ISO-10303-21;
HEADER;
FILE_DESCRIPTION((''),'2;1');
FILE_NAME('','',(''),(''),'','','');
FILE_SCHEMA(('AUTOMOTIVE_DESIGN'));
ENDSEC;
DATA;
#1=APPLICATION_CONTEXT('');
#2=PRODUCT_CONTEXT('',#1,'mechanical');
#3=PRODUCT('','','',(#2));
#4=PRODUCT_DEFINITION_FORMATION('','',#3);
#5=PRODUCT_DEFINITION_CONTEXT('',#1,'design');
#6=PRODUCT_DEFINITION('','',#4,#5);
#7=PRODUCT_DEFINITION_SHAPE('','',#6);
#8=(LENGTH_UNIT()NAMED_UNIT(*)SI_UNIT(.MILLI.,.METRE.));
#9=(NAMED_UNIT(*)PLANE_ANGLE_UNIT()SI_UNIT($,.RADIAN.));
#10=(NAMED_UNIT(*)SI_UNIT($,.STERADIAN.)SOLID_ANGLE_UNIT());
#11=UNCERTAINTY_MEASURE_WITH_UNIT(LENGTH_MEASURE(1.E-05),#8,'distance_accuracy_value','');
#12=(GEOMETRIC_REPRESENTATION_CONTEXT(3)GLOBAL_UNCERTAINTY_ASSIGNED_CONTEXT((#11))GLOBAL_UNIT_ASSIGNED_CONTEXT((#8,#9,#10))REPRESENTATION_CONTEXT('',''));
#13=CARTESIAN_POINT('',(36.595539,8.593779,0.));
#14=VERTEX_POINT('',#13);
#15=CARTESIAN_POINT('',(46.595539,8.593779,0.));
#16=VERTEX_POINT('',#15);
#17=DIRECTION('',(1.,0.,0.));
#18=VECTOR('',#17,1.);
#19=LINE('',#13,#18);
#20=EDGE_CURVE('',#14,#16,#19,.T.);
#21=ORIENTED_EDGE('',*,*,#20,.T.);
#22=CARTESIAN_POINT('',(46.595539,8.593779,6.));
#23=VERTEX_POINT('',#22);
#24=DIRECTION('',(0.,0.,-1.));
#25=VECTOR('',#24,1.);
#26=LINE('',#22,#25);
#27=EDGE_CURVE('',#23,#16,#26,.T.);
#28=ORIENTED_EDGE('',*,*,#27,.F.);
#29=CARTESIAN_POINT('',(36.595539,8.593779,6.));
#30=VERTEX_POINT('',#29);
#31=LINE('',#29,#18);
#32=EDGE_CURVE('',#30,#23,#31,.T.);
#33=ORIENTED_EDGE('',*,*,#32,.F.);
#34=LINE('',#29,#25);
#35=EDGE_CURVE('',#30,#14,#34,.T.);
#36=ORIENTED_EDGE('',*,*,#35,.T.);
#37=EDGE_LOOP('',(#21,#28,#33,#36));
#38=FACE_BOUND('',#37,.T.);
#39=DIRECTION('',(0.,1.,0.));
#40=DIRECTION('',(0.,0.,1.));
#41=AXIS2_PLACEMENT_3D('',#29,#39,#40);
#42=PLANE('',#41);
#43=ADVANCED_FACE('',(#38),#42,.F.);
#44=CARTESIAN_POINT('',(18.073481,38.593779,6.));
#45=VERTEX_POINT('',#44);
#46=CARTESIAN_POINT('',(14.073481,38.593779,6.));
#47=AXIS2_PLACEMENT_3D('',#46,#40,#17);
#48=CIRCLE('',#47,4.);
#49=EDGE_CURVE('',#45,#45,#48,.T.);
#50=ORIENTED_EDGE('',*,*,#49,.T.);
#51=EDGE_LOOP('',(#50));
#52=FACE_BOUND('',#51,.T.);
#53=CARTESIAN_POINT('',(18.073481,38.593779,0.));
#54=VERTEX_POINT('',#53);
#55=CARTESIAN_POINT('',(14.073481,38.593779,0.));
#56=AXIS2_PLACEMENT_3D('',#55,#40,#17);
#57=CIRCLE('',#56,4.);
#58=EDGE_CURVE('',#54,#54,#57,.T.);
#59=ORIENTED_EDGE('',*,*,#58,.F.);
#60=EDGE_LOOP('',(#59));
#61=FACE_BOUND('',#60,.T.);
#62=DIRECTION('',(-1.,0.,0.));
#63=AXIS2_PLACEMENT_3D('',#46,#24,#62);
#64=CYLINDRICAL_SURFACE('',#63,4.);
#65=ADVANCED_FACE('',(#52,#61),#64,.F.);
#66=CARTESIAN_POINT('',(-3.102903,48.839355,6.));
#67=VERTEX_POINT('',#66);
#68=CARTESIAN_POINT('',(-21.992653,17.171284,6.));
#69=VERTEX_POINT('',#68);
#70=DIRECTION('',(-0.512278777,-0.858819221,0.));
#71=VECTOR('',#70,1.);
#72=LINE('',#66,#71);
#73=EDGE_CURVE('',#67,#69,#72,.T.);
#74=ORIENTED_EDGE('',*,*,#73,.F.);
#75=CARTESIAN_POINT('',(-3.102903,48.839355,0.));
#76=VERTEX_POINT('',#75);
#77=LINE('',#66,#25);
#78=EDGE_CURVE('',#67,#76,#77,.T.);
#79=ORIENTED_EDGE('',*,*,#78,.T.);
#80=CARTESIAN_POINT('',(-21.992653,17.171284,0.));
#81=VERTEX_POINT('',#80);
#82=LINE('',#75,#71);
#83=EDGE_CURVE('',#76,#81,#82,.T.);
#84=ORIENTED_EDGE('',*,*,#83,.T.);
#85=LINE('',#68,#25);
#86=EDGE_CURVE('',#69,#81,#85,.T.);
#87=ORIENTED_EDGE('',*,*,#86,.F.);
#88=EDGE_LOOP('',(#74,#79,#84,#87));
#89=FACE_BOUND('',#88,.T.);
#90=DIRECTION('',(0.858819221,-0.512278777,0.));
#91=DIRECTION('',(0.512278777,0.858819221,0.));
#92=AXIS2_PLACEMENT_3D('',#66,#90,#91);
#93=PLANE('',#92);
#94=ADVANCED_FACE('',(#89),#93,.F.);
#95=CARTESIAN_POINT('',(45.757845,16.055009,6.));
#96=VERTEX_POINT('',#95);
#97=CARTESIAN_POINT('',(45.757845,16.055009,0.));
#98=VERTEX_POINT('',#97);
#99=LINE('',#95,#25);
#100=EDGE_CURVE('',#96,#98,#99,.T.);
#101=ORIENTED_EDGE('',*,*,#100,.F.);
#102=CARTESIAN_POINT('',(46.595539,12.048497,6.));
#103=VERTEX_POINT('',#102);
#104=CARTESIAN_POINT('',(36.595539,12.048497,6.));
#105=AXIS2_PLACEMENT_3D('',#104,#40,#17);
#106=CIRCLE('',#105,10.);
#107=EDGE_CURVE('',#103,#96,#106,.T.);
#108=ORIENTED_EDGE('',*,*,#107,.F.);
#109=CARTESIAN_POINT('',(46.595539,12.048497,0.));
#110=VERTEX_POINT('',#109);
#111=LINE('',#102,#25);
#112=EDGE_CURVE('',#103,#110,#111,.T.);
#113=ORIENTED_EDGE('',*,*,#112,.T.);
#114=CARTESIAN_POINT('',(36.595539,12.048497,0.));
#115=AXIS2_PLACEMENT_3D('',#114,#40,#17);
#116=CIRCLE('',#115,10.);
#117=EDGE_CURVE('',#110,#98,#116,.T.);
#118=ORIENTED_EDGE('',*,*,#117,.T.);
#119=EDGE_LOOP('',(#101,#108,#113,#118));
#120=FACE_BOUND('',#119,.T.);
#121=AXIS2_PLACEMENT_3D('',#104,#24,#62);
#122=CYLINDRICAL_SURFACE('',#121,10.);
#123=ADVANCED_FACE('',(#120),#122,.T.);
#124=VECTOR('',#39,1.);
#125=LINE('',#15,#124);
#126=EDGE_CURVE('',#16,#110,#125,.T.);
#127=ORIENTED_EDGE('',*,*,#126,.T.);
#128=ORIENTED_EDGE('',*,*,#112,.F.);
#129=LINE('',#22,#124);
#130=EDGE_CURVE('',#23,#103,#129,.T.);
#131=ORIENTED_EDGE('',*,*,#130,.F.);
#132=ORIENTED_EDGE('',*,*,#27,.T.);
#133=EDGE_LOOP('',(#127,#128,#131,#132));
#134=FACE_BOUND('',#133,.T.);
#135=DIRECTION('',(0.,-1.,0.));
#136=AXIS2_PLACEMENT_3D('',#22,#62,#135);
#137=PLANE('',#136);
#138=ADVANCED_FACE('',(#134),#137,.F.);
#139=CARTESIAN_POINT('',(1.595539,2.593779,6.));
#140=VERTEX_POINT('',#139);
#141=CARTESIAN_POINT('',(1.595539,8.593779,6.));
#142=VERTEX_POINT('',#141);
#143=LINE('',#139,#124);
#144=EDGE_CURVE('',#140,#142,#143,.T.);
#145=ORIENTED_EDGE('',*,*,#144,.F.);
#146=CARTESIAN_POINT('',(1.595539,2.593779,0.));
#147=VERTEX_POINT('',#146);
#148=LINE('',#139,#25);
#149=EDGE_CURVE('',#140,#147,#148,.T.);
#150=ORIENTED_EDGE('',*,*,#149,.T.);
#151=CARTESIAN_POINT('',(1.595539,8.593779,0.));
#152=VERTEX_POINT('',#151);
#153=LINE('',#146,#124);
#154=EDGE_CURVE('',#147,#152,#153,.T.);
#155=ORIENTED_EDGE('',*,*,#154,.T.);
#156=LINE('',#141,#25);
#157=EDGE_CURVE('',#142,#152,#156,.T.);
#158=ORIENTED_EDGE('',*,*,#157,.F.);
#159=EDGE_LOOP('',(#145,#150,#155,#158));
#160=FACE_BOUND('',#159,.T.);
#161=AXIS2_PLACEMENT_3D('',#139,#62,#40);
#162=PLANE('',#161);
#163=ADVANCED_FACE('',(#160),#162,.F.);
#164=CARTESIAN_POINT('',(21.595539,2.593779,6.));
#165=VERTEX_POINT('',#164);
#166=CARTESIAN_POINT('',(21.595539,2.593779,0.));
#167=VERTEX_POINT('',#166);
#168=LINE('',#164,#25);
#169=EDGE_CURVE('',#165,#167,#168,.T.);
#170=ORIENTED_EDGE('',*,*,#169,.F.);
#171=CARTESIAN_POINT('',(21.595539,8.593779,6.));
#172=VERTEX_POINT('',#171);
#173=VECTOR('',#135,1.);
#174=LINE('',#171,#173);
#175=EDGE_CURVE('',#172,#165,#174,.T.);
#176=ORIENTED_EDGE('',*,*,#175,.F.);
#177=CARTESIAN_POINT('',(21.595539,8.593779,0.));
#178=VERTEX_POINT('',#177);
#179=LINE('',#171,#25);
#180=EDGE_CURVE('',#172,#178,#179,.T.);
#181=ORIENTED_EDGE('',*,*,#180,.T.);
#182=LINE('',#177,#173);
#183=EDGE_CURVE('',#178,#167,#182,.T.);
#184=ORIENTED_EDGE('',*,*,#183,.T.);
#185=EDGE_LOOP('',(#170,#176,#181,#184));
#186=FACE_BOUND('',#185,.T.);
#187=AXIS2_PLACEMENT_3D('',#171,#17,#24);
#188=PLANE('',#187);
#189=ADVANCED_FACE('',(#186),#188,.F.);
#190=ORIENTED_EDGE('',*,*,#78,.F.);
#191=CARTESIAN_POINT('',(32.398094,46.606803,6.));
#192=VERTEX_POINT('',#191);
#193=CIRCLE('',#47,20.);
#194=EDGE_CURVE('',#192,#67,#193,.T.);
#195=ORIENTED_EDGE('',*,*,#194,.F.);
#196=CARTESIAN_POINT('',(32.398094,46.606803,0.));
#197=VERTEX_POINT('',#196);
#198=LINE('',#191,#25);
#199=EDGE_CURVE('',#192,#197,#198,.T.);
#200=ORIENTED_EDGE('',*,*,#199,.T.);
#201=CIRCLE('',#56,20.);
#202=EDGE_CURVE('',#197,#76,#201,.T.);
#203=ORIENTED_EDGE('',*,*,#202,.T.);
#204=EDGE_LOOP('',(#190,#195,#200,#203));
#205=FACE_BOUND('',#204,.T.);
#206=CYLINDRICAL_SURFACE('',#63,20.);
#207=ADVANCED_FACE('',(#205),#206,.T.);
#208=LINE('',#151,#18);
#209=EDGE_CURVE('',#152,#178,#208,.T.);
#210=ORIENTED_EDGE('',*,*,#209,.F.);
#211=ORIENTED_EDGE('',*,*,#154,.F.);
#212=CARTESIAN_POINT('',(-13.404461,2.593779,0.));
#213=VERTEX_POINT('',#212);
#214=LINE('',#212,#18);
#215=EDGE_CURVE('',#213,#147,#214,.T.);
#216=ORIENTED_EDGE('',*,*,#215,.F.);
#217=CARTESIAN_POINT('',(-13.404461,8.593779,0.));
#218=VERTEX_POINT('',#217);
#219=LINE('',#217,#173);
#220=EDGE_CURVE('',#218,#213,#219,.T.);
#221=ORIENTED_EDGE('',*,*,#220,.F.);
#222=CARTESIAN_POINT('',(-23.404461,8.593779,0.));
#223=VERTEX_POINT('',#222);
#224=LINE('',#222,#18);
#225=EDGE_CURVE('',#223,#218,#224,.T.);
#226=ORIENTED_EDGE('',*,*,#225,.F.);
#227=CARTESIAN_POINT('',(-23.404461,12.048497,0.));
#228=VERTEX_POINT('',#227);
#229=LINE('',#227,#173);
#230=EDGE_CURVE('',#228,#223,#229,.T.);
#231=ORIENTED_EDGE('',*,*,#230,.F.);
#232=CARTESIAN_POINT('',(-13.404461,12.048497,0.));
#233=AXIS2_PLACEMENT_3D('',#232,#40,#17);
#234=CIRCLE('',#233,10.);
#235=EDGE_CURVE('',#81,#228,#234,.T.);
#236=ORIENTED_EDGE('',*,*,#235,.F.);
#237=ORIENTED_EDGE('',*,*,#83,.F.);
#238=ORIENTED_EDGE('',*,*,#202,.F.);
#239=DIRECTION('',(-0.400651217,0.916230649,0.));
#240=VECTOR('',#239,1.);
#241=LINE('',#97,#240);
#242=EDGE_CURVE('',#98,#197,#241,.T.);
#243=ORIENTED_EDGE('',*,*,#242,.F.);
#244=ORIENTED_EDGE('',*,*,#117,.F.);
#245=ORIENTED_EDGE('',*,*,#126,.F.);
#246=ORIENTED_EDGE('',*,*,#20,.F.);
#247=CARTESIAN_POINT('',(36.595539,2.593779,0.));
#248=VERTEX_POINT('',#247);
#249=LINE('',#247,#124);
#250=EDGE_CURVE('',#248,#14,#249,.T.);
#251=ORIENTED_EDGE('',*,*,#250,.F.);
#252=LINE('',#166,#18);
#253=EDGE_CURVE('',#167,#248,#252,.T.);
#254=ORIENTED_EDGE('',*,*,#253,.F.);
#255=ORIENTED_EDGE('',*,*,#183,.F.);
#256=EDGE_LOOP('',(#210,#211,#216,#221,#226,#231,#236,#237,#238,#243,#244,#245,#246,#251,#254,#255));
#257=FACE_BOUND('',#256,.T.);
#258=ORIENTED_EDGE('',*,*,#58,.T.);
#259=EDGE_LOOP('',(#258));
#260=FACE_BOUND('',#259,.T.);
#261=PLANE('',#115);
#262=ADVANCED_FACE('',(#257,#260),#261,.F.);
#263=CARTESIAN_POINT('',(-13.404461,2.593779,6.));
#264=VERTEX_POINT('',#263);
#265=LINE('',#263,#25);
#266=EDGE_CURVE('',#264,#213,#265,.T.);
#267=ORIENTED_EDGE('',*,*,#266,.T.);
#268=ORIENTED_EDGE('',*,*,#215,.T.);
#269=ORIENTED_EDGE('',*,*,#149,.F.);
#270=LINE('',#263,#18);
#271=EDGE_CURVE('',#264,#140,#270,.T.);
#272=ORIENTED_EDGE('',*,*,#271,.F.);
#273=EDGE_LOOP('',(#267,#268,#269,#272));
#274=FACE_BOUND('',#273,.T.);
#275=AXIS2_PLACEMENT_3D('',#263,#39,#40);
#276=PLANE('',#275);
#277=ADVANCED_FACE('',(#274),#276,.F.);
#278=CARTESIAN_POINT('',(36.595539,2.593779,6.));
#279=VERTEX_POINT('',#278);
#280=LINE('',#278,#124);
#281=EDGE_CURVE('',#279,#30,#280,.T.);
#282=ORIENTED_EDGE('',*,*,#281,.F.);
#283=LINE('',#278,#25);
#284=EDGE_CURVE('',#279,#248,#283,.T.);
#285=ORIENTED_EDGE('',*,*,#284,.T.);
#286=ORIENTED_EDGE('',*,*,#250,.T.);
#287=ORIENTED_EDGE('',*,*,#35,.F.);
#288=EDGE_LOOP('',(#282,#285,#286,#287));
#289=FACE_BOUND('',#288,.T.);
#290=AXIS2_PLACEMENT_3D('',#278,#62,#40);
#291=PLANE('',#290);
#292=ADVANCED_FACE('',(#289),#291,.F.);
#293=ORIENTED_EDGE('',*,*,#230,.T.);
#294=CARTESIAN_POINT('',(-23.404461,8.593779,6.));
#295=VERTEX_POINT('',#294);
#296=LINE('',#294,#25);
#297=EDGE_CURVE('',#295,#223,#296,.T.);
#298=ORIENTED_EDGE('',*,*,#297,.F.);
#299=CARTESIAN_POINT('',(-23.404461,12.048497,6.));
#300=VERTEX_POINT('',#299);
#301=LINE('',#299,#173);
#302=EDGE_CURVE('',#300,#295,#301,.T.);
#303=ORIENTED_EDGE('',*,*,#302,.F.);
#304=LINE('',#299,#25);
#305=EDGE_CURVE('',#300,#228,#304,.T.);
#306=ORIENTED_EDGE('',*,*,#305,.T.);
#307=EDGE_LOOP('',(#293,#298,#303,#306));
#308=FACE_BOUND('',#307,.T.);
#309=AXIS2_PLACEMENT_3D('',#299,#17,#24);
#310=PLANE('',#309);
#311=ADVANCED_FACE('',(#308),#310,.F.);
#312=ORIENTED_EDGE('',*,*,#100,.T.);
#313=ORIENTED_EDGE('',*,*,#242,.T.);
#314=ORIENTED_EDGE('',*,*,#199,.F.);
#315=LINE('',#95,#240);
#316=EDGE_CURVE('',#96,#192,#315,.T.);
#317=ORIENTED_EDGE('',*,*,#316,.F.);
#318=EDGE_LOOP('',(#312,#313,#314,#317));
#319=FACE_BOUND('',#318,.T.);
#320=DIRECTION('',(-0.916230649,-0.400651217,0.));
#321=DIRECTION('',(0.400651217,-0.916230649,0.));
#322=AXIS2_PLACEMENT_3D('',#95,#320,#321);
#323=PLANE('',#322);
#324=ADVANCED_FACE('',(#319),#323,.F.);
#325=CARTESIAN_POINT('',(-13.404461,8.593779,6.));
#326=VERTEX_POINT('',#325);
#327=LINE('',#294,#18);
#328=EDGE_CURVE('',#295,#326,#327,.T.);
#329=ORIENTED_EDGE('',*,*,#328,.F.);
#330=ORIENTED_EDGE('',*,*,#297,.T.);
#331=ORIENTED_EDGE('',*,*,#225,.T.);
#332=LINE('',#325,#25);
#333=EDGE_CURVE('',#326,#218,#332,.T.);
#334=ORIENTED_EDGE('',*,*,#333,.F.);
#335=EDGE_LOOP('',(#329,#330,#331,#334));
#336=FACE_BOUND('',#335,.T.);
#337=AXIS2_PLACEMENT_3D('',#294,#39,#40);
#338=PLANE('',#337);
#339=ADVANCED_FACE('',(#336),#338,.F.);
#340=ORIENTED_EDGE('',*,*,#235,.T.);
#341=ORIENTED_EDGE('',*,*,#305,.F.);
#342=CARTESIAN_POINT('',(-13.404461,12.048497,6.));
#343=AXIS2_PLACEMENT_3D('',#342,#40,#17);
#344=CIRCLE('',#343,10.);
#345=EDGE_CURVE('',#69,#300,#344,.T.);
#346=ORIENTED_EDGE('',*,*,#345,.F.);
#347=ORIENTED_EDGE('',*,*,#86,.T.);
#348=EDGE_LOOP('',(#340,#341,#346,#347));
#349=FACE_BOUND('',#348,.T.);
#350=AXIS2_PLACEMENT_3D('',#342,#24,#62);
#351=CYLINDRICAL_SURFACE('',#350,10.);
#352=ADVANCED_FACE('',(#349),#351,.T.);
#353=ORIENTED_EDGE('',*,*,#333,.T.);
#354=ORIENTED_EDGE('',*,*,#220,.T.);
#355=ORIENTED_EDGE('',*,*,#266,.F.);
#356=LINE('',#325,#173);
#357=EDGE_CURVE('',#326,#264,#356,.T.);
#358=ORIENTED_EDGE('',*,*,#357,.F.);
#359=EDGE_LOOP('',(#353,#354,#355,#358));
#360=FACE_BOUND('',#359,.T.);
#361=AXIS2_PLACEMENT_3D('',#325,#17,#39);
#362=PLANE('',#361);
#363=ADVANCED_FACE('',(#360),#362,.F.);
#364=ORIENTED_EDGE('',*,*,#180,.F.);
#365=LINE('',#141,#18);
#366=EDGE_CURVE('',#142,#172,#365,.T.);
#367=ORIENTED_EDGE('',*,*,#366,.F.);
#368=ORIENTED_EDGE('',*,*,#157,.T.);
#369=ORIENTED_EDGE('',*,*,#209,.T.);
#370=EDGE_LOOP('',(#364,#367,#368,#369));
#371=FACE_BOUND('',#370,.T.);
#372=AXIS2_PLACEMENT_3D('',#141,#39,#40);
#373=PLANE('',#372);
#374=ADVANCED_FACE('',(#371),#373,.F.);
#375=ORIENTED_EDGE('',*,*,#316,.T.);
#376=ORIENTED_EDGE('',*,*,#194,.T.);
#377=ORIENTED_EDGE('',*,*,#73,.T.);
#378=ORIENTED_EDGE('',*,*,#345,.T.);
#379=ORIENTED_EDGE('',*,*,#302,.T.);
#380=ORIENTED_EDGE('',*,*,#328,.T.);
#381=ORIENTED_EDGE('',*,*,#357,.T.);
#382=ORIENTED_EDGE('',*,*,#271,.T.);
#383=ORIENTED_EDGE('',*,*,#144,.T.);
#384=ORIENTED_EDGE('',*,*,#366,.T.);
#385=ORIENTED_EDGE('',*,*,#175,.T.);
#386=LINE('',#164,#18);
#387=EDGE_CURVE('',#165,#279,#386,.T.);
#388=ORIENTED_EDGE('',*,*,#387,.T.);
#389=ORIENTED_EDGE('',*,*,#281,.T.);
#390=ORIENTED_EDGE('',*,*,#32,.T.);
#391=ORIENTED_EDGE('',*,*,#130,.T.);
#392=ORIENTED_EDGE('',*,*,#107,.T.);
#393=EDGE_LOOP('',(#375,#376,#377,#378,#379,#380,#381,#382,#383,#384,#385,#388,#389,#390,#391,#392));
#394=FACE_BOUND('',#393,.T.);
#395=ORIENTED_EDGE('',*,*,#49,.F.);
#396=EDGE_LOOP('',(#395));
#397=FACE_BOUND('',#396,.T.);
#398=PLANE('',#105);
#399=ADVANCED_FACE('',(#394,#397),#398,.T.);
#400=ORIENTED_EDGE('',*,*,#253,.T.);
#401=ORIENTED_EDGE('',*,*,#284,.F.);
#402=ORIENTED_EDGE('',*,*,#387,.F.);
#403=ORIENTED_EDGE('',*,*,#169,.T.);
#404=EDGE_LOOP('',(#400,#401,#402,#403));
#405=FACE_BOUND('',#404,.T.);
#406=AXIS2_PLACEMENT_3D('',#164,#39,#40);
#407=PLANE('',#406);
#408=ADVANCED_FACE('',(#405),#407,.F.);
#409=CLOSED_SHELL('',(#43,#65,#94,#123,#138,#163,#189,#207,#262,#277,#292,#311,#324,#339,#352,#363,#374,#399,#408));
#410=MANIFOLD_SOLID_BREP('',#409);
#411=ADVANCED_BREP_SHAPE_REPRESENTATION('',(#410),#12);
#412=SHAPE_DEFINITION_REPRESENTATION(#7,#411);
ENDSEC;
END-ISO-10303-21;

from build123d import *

# Parameters (mm, degrees)
ESQUISSE1_R        = 4
BOSS_EXTRU_1_DEPTH = 6


with BuildPart() as part:
    # Esquisse1 → Boss.-Extru.1 (new body)
    with BuildSketch(Plane.XY):
        with BuildLine():
            Line((-13.404461185, 2.593779068), (1.595538815, 2.593779068))
            Line((1.595538815, 2.593779068), (1.595538815, 8.593779068))
            Line((1.595538815, 8.593779068), (21.595538815, 8.593779068))
            Line((21.595538815, 8.593779068), (21.595538815, 2.593779068))
            Line((21.595538815, 2.593779068), (36.595538815, 2.593779068))
            Line((36.595538815, 2.593779068), (36.595538815, 8.593779068))
            Line((36.595538815, 8.593779068), (46.595538815, 8.593779068))
            Line((46.595538815, 8.593779068), (46.595538815, 12.048496629))
            ThreePointArc((46.595538815, 12.048496629), (46.383875367, 14.095071218), (45.757845305, 16.0550088))
            Line((45.757845305, 16.0550088), (32.398093908, 46.60680341))
            ThreePointArc((32.398093908, 46.60680341), (15.328741232, 58.554348238), (-3.102903491, 48.839354618))
            Line((-3.102903491, 48.839354618), (-21.992653394, 17.171284404))
            ThreePointArc((-21.992653394, 17.171284404), (-23.045050433, 14.705381827), (-23.404461185, 12.048496629))
            Line((-23.404461185, 12.048496629), (-23.404461185, 8.593779068))
            Line((-23.404461185, 8.593779068), (-13.404461185, 8.593779068))
            Line((-13.404461185, 8.593779068), (-13.404461185, 2.593779068))
        make_face()
        with Locations((14.073480927, 38.593779068)):
            Circle(ESQUISSE1_R, mode=Mode.SUBTRACT)
    extrude(amount=BOSS_EXTRU_1_DEPTH)


solid = part.part
